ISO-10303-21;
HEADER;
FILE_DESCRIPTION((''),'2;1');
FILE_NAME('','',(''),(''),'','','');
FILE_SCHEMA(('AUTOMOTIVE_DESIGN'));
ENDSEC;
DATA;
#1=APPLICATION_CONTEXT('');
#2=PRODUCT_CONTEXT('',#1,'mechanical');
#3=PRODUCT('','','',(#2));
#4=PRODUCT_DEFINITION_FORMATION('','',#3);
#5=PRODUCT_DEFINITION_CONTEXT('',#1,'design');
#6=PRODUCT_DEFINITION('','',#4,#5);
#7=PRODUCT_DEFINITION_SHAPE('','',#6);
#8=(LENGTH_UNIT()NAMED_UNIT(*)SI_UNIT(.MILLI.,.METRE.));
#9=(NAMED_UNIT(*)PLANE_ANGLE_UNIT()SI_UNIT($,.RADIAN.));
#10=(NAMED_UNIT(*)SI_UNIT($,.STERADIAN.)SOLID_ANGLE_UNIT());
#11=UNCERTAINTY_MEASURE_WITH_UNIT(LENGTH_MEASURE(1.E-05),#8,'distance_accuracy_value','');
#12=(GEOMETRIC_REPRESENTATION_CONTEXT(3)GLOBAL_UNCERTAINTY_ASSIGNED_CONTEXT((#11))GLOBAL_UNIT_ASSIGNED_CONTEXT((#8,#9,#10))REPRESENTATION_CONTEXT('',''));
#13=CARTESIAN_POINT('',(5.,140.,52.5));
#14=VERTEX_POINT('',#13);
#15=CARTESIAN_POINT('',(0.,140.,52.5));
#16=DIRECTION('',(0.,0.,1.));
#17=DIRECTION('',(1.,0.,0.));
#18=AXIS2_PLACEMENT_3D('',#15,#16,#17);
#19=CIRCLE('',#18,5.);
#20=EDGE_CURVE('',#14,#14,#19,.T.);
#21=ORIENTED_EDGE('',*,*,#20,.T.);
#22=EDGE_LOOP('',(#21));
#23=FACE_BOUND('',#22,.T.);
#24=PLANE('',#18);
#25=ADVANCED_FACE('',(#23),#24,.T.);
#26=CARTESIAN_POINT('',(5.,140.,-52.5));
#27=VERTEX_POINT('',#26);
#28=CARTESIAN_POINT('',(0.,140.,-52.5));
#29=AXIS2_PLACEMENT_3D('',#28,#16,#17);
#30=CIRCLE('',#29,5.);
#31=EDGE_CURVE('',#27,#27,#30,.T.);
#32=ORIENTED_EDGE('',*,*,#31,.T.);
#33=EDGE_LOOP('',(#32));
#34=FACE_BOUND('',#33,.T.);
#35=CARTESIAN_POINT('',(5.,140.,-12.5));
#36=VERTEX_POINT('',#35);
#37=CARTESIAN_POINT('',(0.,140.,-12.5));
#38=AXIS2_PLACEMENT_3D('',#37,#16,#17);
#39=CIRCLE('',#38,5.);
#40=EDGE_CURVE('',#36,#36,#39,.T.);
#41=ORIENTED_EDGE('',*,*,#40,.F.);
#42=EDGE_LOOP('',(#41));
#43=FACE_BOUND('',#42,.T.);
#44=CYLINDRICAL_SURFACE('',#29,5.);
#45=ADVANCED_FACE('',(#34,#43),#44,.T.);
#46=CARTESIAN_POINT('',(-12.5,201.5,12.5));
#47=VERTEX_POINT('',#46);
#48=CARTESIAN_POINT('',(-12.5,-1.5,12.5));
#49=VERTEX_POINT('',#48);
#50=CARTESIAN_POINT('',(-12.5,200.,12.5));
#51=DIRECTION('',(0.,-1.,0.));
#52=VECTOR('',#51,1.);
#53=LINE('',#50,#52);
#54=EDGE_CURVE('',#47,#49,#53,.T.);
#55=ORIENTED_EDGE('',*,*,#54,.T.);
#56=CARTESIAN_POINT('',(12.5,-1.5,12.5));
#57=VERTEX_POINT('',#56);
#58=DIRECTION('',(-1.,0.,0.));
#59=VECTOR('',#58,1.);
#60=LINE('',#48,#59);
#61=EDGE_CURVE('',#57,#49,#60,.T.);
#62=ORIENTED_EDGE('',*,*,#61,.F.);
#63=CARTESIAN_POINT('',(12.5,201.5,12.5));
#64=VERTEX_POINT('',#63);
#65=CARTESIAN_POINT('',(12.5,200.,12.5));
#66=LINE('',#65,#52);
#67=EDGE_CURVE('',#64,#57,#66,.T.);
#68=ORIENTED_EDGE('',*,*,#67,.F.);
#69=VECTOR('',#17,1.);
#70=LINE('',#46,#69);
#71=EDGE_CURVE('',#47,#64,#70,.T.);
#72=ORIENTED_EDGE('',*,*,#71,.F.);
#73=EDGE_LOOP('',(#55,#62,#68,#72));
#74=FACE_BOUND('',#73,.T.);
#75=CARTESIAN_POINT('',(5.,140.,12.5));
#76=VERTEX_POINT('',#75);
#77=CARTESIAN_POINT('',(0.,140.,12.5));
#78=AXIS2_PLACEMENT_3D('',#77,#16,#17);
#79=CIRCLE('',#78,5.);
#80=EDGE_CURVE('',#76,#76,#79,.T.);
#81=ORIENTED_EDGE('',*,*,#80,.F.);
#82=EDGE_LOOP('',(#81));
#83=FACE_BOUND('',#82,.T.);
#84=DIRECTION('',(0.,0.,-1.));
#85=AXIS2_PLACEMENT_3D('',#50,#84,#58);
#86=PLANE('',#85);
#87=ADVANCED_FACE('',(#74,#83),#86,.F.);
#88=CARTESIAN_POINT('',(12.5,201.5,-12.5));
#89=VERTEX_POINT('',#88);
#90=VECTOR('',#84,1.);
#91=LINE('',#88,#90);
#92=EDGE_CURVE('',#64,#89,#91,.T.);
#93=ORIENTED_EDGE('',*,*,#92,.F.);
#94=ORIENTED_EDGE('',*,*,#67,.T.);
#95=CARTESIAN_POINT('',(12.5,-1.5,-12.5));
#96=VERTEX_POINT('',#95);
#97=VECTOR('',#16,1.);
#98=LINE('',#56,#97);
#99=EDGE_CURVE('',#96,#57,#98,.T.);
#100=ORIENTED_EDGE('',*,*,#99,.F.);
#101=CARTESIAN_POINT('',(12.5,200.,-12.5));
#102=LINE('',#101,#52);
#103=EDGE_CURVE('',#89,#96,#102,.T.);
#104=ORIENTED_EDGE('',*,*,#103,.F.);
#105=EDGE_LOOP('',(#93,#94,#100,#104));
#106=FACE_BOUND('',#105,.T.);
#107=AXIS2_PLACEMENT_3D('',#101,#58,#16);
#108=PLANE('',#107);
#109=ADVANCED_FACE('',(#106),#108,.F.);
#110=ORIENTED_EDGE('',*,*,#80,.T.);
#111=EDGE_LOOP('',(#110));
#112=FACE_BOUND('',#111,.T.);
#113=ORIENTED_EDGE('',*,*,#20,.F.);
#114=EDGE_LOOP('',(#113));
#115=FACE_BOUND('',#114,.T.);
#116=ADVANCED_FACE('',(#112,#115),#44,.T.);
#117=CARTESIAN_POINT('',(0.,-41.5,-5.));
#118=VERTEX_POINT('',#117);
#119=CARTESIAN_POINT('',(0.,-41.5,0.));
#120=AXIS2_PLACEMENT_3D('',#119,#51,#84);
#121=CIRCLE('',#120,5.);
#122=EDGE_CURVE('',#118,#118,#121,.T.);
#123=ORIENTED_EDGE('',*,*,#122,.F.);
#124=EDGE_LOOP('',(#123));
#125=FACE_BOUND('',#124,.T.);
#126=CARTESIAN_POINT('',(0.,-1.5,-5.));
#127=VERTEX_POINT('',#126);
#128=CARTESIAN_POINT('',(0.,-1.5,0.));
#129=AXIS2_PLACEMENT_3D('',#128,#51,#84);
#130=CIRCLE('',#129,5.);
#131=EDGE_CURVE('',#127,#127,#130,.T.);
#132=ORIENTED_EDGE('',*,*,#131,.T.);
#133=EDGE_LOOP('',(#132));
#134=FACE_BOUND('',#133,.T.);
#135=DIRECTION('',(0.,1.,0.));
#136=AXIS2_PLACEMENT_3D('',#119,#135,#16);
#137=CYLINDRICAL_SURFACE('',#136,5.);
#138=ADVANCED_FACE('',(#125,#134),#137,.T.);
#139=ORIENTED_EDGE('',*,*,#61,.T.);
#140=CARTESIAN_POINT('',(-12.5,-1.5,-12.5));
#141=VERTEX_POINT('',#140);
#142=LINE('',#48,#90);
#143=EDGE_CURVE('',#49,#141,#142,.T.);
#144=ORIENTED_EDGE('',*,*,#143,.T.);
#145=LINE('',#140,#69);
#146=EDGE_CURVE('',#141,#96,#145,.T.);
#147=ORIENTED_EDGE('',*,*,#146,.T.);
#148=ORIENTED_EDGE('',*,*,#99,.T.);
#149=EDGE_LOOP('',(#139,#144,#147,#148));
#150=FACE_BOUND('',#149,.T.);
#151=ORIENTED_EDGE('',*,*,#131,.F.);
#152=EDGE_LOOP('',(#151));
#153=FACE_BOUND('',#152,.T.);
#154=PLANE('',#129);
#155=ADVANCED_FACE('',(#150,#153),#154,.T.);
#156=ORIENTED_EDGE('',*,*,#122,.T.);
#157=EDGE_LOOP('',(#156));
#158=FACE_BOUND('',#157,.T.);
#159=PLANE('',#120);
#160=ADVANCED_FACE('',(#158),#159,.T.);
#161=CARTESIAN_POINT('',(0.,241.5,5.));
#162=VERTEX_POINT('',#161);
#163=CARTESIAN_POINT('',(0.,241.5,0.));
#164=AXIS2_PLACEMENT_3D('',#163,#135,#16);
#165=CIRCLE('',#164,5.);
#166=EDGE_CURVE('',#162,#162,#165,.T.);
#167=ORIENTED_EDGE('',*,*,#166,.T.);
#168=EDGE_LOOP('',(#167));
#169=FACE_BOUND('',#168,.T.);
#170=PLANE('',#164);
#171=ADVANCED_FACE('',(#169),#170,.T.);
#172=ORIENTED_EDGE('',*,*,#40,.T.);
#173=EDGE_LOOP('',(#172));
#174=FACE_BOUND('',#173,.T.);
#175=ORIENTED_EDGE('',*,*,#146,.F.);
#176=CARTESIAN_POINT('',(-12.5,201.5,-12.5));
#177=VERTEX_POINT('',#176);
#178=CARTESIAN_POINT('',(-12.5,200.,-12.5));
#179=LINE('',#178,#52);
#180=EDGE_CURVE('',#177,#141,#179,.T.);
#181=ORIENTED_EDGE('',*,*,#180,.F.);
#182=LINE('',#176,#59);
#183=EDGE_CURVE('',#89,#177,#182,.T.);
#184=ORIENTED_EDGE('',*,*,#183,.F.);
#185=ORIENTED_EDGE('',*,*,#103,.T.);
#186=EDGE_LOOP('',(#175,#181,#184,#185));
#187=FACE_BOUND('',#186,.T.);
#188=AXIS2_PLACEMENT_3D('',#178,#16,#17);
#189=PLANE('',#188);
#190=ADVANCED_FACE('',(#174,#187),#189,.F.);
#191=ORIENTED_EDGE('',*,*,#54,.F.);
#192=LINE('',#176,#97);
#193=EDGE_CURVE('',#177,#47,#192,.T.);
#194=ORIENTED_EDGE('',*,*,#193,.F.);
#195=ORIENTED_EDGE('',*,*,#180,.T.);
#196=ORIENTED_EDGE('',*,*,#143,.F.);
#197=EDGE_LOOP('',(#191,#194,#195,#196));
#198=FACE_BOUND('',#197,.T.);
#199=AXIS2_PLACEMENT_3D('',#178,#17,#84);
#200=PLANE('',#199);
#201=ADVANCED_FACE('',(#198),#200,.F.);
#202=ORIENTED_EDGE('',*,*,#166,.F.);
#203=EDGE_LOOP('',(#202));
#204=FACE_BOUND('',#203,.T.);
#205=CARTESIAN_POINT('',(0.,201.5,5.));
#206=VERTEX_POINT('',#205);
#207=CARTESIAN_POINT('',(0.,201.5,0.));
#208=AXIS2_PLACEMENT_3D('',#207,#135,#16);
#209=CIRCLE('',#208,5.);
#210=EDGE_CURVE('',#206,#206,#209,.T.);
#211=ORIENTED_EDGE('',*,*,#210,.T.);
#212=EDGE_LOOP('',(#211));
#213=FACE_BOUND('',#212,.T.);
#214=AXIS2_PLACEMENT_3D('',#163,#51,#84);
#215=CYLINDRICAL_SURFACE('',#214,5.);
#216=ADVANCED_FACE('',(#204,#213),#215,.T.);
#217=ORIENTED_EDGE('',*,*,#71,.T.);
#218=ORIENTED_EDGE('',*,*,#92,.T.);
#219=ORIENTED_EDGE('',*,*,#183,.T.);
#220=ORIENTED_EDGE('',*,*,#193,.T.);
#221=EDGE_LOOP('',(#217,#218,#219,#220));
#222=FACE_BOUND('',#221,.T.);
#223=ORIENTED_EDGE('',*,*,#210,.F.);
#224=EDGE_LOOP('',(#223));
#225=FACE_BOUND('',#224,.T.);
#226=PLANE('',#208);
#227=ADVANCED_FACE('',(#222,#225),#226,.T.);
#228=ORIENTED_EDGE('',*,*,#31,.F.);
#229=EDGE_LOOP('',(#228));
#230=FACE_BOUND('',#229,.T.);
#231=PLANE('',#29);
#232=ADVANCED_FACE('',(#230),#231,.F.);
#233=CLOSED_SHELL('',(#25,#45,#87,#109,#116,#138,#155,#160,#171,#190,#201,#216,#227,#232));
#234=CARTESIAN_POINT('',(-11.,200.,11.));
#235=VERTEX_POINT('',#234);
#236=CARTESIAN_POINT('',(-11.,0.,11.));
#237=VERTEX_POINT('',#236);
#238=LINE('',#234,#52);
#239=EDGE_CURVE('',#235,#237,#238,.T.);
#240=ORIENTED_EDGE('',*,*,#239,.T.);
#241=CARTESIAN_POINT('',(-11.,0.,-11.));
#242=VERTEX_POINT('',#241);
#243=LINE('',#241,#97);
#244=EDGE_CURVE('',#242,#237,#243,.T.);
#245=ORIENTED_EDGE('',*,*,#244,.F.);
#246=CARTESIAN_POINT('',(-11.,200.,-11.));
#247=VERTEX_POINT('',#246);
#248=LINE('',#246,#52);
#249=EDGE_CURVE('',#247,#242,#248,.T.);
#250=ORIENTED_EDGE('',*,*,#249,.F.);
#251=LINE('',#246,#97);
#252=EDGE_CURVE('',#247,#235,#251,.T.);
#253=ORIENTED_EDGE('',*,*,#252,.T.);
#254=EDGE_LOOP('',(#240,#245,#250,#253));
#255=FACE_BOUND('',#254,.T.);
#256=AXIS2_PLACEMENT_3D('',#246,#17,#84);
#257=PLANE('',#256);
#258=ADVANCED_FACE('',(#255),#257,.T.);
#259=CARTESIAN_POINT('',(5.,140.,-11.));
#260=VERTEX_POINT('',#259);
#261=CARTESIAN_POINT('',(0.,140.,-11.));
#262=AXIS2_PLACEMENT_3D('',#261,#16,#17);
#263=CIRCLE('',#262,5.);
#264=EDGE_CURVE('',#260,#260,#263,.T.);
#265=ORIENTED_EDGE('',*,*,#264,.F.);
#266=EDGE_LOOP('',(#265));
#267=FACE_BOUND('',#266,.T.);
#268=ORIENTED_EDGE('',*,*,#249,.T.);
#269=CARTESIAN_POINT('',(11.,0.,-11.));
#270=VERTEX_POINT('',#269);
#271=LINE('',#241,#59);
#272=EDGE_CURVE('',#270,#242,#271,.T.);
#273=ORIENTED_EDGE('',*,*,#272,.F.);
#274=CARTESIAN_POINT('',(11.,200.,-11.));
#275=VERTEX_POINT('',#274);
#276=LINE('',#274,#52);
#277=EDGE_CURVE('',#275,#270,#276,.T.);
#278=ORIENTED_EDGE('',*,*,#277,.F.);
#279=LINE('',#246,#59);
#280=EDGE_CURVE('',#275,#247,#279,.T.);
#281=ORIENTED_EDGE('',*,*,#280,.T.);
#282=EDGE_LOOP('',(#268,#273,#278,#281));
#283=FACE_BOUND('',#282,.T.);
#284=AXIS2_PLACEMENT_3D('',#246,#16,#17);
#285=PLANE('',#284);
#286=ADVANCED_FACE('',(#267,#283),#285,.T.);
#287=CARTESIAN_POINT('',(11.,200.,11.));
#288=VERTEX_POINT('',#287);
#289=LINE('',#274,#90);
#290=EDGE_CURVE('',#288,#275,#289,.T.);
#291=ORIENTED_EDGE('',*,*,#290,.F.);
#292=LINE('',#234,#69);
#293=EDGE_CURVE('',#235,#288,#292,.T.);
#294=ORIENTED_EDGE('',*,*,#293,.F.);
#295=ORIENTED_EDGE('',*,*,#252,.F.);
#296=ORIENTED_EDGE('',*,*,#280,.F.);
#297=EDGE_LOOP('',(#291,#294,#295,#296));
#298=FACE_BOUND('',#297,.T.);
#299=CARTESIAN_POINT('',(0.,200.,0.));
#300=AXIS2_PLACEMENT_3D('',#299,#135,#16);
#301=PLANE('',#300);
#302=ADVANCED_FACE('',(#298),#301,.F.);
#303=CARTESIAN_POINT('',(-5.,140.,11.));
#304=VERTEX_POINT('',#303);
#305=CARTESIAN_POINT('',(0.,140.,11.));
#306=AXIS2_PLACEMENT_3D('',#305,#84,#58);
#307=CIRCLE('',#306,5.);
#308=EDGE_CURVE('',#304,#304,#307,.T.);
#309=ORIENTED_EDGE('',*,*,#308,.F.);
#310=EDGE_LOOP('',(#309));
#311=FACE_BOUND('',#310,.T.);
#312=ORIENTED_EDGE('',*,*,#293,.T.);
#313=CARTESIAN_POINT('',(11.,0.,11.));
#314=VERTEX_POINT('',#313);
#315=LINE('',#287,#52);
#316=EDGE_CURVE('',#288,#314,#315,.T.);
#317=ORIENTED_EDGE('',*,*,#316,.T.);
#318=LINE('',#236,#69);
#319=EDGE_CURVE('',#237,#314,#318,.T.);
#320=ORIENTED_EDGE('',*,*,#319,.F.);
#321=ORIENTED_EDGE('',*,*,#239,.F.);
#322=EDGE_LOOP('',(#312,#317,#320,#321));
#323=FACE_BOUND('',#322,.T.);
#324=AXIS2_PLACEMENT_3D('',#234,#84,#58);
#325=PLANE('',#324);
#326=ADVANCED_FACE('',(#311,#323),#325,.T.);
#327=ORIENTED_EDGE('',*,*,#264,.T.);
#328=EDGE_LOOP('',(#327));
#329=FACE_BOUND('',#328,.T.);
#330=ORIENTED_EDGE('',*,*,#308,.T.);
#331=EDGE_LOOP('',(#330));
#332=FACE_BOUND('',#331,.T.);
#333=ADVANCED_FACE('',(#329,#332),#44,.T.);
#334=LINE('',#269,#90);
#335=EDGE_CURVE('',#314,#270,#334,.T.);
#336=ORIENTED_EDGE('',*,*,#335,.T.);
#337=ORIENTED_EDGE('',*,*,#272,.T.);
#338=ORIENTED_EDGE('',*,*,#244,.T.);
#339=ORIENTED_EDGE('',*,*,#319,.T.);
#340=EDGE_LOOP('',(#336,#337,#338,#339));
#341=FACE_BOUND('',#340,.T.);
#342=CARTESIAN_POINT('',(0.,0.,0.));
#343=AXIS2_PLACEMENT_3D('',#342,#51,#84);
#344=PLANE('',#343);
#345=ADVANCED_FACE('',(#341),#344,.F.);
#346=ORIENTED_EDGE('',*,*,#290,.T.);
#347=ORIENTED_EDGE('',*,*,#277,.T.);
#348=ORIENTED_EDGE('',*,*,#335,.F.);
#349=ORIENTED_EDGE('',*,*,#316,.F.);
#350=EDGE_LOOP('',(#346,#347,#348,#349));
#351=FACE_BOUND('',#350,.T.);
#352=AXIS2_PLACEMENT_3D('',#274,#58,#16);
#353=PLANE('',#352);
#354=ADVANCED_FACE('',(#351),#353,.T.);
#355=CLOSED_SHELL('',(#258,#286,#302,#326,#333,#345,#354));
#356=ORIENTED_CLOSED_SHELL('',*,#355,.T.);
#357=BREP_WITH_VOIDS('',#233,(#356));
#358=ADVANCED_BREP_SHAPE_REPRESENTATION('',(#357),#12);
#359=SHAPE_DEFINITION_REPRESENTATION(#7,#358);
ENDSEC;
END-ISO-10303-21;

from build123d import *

# Parameters (mm, degrees)
SKETCH3_W                = 25
SKETCH3_H                = 25
SKETCH3_W_2              = 22
SKETCH3_H_2              = 22
BOSS_EXTRUDE1_DEPTH      = 200
SKETCH4_R                = 5
CUT_EXTRUDE1_DEPTH       = 25
BOSS_EXTRUDE2_DEPTH      = 52.5
BOSS_EXTRUDE2_DEPTH_BACK = 52.5
SKETCH5_R                = 5
SKETCH6_W                = 25
SKETCH6_H                = 25
BOSS_EXTRUDE3_DEPTH      = 1.5
SKETCH7_W                = 25
SKETCH7_H                = 25
BOSS_EXTRUDE4_DEPTH      = 1.5
SKETCH8_R                = 5
BOSS_EXTRUDE5_DEPTH      = 40
BOSS_EXTRUDE6_START      = 40
SKETCH9_R                = 5
BOSS_EXTRUDE6_DEPTH      = 40


with BuildPart() as part:
    # Sketch3 → Boss-Extrude1 (new body)
    with BuildSketch(Plane(origin=(0, 0, 0), x_dir=(1, 0, 0), z_dir=(0, 1, 0))):
        Rectangle(SKETCH3_W, SKETCH3_H)
        Rectangle(SKETCH3_W_2, SKETCH3_H_2, mode=Mode.SUBTRACT)
    extrude(amount=BOSS_EXTRUDE1_DEPTH)

    # Sketch4 → Cut-Extrude1 (cut)
    with BuildSketch(Plane.XY.offset(12.5)):
        with Locations((0, 140)):
            Circle(SKETCH4_R)
    extrude(amount=-CUT_EXTRUDE1_DEPTH, mode=Mode.SUBTRACT)

    # Sketch5 → Boss-Extrude2 (add, two sides: drawn at the far end of the back side and taken through both)
    with BuildSketch(Plane.XY.offset(-BOSS_EXTRUDE2_DEPTH_BACK)):
        with Locations((0, 140)):
            Circle(SKETCH5_R)
    extrude(amount=BOSS_EXTRUDE2_DEPTH + BOSS_EXTRUDE2_DEPTH_BACK)

    # Sketch6 → Boss-Extrude3 (add)
    with BuildSketch(Plane(origin=(0, 200, 0), x_dir=(1, 0, 0), z_dir=(0, 1, 0))):
        Rectangle(SKETCH6_W, SKETCH6_H)
    extrude(amount=BOSS_EXTRUDE3_DEPTH)

    # Sketch7 → Boss-Extrude4 (add)
    with BuildSketch(Plane.XZ):
        Rectangle(SKETCH7_W, SKETCH7_H)
    extrude(amount=BOSS_EXTRUDE4_DEPTH)

    # Sketch8 → Boss-Extrude5 (add)
    with BuildSketch(Plane.XZ.offset(1.5)):
        with Locations(Location((0, 0, 0), (0, 0, 270))):
            Circle(SKETCH8_R)
    extrude(amount=BOSS_EXTRUDE5_DEPTH)

    # Sketch9 → Boss-Extrude6 (add)
    with BuildSketch(Plane(origin=(0, 201.5, 0), x_dir=(1, 0, 0), z_dir=(0, 1, 0)).offset(BOSS_EXTRUDE6_START)):
        with Locations(Location((0, 0, 0), (0, 0, 90))):
            Circle(SKETCH9_R)
    extrude(amount=-BOSS_EXTRUDE6_DEPTH)


solid = part.part
